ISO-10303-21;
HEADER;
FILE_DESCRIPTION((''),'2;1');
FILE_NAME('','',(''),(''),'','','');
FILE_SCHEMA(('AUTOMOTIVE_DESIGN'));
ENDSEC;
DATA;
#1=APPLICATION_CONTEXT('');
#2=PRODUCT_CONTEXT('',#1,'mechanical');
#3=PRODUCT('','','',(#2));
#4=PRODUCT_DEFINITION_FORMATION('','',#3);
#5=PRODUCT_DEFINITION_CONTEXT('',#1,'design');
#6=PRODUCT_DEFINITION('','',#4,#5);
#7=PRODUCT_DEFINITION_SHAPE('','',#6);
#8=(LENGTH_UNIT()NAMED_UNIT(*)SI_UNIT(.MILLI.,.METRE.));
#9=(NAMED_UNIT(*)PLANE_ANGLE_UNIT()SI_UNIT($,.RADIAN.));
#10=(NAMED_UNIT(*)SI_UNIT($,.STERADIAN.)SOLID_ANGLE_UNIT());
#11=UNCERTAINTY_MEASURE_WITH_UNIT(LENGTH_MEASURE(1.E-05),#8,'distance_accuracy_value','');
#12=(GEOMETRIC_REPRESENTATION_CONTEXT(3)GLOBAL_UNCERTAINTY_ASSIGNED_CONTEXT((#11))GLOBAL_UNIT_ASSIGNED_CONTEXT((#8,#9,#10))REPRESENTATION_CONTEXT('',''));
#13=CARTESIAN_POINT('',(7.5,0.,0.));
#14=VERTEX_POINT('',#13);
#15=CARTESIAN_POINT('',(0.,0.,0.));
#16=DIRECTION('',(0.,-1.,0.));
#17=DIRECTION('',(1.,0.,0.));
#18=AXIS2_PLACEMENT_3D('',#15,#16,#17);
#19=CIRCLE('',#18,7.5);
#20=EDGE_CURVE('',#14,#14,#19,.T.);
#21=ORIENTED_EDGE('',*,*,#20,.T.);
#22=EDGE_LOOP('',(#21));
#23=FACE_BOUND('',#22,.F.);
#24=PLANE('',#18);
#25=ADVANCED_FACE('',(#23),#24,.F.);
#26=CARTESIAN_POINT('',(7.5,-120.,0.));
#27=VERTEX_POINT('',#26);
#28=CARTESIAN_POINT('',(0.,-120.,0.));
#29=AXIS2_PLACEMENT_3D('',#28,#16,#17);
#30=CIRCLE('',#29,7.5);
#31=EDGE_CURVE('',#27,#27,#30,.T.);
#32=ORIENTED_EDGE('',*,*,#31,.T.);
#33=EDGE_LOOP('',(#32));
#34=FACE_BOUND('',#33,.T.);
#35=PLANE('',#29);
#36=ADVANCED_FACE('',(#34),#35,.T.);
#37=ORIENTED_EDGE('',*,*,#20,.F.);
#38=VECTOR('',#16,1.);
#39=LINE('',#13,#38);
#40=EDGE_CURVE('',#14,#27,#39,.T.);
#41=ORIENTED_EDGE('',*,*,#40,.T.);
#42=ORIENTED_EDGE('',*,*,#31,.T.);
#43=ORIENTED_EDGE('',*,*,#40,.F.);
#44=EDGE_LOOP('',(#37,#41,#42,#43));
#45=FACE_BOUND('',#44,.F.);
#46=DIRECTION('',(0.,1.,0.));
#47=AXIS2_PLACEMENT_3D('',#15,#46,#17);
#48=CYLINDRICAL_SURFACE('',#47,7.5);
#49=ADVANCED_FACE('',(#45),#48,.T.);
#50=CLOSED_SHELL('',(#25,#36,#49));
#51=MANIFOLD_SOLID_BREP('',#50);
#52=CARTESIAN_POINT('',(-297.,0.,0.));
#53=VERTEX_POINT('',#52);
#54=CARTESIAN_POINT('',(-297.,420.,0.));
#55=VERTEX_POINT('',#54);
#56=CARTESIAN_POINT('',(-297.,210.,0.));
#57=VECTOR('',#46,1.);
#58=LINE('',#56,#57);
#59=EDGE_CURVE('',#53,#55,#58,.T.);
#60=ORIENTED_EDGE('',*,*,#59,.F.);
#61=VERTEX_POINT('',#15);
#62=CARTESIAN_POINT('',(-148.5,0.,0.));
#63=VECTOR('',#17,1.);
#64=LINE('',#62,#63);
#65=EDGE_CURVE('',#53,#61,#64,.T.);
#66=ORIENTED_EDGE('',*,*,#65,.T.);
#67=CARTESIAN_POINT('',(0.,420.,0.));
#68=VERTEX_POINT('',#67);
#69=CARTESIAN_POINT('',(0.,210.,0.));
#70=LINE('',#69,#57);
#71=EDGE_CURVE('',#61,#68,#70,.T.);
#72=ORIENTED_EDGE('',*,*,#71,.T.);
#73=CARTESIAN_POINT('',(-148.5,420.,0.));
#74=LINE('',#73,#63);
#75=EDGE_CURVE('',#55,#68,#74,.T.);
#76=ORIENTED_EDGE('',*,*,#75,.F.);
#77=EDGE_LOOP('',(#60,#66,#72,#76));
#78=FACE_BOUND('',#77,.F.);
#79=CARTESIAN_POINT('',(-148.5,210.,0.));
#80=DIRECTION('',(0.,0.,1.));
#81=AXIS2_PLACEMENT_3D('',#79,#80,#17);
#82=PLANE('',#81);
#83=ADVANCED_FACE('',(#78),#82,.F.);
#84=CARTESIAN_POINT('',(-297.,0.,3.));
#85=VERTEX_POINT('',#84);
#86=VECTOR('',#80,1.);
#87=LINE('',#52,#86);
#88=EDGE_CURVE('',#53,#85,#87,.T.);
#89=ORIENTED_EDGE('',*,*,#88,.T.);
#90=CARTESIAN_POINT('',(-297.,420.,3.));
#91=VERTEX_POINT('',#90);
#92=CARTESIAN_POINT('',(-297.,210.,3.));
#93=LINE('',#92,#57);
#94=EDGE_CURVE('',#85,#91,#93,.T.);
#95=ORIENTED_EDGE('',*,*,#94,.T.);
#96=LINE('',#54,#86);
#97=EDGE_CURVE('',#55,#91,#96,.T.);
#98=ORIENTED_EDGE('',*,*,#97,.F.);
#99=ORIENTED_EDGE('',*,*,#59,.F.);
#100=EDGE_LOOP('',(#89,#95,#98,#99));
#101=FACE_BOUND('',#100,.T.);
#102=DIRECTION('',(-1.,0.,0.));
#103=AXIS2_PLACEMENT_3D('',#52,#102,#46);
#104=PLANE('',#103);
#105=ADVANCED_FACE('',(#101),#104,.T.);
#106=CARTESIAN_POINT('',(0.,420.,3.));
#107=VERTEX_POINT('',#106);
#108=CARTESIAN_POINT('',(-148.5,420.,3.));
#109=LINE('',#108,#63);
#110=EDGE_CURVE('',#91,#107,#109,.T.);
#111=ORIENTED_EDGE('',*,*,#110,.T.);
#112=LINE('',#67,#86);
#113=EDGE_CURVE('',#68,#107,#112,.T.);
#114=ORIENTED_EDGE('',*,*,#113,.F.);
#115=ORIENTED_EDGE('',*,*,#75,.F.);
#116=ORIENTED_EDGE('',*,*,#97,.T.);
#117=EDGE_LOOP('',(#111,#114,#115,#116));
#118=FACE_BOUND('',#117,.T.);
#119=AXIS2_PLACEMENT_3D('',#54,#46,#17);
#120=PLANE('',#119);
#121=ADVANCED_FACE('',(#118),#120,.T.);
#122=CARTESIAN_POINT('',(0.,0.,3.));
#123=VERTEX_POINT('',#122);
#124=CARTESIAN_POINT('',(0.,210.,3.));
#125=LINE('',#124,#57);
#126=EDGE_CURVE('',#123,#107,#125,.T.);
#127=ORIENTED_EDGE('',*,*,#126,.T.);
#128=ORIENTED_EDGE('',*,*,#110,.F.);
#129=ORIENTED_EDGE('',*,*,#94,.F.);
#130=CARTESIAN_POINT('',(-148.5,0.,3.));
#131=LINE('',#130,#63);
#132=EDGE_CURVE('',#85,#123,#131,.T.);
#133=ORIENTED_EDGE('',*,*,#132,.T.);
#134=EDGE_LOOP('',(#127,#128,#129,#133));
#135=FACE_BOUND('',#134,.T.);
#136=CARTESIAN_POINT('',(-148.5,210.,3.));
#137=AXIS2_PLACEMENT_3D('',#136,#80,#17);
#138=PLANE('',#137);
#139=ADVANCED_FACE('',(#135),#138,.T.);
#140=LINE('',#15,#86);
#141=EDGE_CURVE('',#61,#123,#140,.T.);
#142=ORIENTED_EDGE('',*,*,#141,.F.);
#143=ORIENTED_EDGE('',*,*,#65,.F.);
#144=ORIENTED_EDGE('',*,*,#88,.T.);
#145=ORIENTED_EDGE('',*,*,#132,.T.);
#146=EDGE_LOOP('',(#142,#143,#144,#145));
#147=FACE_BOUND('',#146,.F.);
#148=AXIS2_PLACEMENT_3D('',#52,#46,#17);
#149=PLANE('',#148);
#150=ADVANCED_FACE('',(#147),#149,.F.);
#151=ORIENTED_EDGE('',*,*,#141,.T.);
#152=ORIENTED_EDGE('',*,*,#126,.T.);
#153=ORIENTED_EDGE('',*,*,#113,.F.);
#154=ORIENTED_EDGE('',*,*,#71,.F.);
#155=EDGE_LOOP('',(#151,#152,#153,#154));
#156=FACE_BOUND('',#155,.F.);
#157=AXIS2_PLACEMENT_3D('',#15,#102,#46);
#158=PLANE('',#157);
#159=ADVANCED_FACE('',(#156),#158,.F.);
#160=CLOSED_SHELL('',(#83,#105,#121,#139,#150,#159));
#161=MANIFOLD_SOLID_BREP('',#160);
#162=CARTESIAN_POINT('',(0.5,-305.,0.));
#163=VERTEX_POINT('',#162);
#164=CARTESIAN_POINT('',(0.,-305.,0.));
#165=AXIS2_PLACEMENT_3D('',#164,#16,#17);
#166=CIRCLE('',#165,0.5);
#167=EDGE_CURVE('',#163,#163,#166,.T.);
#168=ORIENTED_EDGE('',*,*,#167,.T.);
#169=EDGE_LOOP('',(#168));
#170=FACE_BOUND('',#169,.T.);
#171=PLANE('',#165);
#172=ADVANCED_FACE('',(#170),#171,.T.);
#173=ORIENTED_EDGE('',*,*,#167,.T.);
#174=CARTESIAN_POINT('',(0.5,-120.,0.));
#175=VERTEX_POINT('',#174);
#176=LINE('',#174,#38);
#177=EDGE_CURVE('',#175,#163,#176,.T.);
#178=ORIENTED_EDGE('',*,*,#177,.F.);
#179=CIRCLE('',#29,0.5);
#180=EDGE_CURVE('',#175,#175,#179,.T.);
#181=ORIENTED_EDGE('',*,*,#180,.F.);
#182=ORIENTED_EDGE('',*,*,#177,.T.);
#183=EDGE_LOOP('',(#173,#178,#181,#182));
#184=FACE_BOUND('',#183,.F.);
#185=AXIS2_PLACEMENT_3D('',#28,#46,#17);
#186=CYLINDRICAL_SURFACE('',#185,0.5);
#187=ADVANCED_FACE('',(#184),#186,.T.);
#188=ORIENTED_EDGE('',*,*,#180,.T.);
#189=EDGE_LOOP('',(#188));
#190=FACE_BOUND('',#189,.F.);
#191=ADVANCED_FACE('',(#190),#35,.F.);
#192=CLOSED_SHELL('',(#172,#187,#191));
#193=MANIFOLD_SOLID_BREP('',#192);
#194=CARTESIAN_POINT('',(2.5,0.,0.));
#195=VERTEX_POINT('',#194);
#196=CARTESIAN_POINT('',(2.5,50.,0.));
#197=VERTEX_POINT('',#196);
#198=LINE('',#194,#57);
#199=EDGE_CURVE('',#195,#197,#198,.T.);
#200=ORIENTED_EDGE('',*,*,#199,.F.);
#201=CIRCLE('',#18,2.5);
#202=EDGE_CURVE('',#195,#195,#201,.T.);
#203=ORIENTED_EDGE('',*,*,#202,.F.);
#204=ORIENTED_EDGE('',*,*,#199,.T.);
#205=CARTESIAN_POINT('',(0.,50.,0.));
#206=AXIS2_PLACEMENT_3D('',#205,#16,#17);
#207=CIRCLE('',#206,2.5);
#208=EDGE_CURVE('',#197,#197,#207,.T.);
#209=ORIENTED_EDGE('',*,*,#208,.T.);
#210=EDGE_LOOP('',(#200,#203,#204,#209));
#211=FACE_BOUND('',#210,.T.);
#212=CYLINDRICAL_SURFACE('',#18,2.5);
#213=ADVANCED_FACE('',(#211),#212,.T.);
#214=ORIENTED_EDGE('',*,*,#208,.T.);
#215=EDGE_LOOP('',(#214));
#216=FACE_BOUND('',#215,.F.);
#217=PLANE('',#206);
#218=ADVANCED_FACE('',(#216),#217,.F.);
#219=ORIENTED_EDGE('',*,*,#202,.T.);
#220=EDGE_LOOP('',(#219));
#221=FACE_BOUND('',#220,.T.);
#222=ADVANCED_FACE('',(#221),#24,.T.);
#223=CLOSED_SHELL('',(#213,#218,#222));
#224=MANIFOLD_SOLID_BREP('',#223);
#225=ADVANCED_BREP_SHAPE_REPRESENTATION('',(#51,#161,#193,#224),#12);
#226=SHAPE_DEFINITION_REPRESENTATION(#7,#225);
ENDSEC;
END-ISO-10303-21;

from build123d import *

# Parameters (mm, degrees)
F0_R     = 7.5
F1_DEPTH = 120
F3_R     = 0.5
F4_DEPTH = 185
F5_R     = 2.5
F6_DEPTH = 50
F7_W     = 297
F7_H     = 420
F8_DEPTH = 3


with BuildPart() as f1:
    # F0 (on Front) → F1 (new body)
    with BuildSketch(Plane.XZ):
        Circle(F0_R)
    extrude(amount=F1_DEPTH)


with BuildPart() as f4:
    # F3 (on face) → F4 (new body)
    with BuildSketch(Plane.XZ.offset(120)):
        Circle(F3_R)
    extrude(amount=F4_DEPTH)


with BuildPart() as f6:
    # F5 (on Front) → F6 (new body)
    with BuildSketch(Plane.XZ):
        Circle(F5_R)
    extrude(amount=-F6_DEPTH)


with BuildPart() as f8:
    # F7 (on Top) → F8 (new body)
    with BuildSketch(Plane.XY):
        with Locations((-148.5, 210)):
            Rectangle(F7_W, F7_H)
    extrude(amount=F8_DEPTH)


solid = Compound([f1.part, f4.part, f6.part, f8.part])
